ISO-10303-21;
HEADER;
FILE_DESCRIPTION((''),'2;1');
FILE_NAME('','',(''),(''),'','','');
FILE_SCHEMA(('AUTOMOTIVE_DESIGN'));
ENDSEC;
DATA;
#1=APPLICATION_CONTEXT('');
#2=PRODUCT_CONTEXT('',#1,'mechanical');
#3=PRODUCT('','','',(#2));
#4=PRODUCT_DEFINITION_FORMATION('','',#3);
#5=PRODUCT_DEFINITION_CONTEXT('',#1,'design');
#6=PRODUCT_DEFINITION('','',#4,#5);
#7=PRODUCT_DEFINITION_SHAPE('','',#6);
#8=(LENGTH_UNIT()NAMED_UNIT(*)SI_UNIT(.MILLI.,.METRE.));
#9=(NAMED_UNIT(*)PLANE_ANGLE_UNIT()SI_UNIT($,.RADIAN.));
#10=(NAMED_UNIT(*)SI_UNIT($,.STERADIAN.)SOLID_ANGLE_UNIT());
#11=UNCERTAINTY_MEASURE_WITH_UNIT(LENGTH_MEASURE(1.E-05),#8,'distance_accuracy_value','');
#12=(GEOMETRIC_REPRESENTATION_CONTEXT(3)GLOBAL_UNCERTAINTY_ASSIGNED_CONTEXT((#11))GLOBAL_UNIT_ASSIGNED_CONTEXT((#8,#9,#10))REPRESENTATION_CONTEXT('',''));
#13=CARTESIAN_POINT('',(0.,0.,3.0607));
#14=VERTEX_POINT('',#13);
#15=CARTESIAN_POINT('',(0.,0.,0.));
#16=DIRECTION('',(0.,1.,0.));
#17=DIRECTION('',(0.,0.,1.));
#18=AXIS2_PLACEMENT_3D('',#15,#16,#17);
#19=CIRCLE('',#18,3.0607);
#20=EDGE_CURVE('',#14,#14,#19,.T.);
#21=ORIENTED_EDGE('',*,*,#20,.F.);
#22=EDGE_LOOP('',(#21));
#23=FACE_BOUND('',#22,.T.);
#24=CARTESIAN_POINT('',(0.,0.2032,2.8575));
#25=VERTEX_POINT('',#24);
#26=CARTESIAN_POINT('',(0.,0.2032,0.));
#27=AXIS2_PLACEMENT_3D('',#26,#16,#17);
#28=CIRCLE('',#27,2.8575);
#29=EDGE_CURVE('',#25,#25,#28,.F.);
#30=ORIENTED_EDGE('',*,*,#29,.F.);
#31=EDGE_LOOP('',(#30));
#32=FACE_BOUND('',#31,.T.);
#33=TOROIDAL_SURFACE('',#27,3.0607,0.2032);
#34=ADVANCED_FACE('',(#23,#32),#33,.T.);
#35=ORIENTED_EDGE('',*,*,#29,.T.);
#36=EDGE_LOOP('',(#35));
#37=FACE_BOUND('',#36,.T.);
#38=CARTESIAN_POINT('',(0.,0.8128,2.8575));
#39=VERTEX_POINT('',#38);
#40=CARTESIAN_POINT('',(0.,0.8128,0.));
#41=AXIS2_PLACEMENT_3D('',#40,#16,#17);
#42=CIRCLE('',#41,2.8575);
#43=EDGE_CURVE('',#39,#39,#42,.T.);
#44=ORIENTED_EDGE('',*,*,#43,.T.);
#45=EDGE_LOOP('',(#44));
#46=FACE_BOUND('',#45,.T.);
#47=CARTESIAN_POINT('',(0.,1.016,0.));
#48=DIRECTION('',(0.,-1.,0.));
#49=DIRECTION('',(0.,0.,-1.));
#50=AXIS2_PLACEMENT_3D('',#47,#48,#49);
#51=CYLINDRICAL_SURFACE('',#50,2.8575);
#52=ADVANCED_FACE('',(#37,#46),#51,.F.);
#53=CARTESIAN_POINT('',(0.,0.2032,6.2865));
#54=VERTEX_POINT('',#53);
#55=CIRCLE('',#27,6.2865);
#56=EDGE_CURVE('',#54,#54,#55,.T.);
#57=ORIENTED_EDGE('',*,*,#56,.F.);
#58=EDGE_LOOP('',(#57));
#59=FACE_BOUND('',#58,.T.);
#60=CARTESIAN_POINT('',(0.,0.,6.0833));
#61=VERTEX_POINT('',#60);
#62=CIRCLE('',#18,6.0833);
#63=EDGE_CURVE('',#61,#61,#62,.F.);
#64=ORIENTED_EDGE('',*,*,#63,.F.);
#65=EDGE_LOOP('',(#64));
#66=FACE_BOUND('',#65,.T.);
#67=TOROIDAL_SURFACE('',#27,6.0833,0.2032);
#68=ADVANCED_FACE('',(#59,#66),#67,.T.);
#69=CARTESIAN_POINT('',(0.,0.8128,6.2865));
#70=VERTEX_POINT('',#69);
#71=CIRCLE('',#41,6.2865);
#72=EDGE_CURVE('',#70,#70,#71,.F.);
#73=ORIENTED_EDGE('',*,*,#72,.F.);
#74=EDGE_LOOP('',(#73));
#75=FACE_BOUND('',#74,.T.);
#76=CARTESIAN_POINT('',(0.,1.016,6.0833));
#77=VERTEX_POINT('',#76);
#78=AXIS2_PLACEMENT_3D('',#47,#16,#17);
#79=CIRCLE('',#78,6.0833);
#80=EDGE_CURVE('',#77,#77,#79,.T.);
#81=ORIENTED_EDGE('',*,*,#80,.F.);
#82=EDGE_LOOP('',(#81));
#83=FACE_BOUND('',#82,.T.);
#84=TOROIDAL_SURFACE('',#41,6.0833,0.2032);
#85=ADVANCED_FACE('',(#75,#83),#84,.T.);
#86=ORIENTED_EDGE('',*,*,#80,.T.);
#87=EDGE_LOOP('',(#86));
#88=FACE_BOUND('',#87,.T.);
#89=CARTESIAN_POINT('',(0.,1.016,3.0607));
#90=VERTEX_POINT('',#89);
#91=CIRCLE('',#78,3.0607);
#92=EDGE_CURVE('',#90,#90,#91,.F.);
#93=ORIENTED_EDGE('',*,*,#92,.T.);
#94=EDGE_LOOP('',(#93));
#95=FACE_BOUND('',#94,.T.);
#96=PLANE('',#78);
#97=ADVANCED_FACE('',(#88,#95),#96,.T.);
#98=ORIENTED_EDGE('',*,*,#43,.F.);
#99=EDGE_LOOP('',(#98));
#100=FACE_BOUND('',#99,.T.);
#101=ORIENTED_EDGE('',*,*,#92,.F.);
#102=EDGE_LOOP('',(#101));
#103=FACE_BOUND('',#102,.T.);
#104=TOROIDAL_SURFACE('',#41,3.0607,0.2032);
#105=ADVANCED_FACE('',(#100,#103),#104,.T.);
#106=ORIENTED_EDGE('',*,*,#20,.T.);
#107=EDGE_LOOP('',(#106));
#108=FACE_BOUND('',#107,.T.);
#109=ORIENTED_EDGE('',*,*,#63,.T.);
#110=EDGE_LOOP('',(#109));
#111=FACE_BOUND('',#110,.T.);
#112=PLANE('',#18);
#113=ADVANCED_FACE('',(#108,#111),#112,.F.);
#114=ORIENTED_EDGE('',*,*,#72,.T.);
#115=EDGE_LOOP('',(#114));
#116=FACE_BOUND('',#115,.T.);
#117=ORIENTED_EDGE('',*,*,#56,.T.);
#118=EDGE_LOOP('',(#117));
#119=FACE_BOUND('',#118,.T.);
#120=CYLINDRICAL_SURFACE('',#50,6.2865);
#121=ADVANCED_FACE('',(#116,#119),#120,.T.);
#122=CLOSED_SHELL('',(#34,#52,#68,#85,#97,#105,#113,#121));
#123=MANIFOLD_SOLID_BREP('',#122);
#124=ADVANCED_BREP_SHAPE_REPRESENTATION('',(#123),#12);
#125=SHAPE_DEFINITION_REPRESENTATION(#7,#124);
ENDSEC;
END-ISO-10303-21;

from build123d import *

# Parameters (mm, degrees)
SKETCH1_R      = 6.2865
SKETCH1_R_2    = 2.8575
EXTRUDE1_DEPTH = 1.016
FILLET1_R      = 0.2032


with BuildPart() as part:
    # Sketch1 → Extrude1 (new body)
    with BuildSketch(Plane(origin=(0, 0, 0), x_dir=(1, 0, 0), z_dir=(0, 1, 0))):
        with Locations(Location((0, 0, 0), (0, 0, 270))):
            Circle(SKETCH1_R)
        with Locations(Location((0, 0, 0), (0, 0, 270))):
            Circle(SKETCH1_R_2, mode=Mode.SUBTRACT)
    extrude(amount=EXTRUDE1_DEPTH)

    # Fillet1
    fillet1_edges = [part.edges().sort_by_distance(p)[0] for p in [
        (0, 0, -6.2865),
        (0, 1.016, -6.2865),
        (0, 0, -2.8575),
        (0, 1.016, -2.8575),
    ]]
    fillet(fillet1_edges, radius=FILLET1_R)


solid = part.part
